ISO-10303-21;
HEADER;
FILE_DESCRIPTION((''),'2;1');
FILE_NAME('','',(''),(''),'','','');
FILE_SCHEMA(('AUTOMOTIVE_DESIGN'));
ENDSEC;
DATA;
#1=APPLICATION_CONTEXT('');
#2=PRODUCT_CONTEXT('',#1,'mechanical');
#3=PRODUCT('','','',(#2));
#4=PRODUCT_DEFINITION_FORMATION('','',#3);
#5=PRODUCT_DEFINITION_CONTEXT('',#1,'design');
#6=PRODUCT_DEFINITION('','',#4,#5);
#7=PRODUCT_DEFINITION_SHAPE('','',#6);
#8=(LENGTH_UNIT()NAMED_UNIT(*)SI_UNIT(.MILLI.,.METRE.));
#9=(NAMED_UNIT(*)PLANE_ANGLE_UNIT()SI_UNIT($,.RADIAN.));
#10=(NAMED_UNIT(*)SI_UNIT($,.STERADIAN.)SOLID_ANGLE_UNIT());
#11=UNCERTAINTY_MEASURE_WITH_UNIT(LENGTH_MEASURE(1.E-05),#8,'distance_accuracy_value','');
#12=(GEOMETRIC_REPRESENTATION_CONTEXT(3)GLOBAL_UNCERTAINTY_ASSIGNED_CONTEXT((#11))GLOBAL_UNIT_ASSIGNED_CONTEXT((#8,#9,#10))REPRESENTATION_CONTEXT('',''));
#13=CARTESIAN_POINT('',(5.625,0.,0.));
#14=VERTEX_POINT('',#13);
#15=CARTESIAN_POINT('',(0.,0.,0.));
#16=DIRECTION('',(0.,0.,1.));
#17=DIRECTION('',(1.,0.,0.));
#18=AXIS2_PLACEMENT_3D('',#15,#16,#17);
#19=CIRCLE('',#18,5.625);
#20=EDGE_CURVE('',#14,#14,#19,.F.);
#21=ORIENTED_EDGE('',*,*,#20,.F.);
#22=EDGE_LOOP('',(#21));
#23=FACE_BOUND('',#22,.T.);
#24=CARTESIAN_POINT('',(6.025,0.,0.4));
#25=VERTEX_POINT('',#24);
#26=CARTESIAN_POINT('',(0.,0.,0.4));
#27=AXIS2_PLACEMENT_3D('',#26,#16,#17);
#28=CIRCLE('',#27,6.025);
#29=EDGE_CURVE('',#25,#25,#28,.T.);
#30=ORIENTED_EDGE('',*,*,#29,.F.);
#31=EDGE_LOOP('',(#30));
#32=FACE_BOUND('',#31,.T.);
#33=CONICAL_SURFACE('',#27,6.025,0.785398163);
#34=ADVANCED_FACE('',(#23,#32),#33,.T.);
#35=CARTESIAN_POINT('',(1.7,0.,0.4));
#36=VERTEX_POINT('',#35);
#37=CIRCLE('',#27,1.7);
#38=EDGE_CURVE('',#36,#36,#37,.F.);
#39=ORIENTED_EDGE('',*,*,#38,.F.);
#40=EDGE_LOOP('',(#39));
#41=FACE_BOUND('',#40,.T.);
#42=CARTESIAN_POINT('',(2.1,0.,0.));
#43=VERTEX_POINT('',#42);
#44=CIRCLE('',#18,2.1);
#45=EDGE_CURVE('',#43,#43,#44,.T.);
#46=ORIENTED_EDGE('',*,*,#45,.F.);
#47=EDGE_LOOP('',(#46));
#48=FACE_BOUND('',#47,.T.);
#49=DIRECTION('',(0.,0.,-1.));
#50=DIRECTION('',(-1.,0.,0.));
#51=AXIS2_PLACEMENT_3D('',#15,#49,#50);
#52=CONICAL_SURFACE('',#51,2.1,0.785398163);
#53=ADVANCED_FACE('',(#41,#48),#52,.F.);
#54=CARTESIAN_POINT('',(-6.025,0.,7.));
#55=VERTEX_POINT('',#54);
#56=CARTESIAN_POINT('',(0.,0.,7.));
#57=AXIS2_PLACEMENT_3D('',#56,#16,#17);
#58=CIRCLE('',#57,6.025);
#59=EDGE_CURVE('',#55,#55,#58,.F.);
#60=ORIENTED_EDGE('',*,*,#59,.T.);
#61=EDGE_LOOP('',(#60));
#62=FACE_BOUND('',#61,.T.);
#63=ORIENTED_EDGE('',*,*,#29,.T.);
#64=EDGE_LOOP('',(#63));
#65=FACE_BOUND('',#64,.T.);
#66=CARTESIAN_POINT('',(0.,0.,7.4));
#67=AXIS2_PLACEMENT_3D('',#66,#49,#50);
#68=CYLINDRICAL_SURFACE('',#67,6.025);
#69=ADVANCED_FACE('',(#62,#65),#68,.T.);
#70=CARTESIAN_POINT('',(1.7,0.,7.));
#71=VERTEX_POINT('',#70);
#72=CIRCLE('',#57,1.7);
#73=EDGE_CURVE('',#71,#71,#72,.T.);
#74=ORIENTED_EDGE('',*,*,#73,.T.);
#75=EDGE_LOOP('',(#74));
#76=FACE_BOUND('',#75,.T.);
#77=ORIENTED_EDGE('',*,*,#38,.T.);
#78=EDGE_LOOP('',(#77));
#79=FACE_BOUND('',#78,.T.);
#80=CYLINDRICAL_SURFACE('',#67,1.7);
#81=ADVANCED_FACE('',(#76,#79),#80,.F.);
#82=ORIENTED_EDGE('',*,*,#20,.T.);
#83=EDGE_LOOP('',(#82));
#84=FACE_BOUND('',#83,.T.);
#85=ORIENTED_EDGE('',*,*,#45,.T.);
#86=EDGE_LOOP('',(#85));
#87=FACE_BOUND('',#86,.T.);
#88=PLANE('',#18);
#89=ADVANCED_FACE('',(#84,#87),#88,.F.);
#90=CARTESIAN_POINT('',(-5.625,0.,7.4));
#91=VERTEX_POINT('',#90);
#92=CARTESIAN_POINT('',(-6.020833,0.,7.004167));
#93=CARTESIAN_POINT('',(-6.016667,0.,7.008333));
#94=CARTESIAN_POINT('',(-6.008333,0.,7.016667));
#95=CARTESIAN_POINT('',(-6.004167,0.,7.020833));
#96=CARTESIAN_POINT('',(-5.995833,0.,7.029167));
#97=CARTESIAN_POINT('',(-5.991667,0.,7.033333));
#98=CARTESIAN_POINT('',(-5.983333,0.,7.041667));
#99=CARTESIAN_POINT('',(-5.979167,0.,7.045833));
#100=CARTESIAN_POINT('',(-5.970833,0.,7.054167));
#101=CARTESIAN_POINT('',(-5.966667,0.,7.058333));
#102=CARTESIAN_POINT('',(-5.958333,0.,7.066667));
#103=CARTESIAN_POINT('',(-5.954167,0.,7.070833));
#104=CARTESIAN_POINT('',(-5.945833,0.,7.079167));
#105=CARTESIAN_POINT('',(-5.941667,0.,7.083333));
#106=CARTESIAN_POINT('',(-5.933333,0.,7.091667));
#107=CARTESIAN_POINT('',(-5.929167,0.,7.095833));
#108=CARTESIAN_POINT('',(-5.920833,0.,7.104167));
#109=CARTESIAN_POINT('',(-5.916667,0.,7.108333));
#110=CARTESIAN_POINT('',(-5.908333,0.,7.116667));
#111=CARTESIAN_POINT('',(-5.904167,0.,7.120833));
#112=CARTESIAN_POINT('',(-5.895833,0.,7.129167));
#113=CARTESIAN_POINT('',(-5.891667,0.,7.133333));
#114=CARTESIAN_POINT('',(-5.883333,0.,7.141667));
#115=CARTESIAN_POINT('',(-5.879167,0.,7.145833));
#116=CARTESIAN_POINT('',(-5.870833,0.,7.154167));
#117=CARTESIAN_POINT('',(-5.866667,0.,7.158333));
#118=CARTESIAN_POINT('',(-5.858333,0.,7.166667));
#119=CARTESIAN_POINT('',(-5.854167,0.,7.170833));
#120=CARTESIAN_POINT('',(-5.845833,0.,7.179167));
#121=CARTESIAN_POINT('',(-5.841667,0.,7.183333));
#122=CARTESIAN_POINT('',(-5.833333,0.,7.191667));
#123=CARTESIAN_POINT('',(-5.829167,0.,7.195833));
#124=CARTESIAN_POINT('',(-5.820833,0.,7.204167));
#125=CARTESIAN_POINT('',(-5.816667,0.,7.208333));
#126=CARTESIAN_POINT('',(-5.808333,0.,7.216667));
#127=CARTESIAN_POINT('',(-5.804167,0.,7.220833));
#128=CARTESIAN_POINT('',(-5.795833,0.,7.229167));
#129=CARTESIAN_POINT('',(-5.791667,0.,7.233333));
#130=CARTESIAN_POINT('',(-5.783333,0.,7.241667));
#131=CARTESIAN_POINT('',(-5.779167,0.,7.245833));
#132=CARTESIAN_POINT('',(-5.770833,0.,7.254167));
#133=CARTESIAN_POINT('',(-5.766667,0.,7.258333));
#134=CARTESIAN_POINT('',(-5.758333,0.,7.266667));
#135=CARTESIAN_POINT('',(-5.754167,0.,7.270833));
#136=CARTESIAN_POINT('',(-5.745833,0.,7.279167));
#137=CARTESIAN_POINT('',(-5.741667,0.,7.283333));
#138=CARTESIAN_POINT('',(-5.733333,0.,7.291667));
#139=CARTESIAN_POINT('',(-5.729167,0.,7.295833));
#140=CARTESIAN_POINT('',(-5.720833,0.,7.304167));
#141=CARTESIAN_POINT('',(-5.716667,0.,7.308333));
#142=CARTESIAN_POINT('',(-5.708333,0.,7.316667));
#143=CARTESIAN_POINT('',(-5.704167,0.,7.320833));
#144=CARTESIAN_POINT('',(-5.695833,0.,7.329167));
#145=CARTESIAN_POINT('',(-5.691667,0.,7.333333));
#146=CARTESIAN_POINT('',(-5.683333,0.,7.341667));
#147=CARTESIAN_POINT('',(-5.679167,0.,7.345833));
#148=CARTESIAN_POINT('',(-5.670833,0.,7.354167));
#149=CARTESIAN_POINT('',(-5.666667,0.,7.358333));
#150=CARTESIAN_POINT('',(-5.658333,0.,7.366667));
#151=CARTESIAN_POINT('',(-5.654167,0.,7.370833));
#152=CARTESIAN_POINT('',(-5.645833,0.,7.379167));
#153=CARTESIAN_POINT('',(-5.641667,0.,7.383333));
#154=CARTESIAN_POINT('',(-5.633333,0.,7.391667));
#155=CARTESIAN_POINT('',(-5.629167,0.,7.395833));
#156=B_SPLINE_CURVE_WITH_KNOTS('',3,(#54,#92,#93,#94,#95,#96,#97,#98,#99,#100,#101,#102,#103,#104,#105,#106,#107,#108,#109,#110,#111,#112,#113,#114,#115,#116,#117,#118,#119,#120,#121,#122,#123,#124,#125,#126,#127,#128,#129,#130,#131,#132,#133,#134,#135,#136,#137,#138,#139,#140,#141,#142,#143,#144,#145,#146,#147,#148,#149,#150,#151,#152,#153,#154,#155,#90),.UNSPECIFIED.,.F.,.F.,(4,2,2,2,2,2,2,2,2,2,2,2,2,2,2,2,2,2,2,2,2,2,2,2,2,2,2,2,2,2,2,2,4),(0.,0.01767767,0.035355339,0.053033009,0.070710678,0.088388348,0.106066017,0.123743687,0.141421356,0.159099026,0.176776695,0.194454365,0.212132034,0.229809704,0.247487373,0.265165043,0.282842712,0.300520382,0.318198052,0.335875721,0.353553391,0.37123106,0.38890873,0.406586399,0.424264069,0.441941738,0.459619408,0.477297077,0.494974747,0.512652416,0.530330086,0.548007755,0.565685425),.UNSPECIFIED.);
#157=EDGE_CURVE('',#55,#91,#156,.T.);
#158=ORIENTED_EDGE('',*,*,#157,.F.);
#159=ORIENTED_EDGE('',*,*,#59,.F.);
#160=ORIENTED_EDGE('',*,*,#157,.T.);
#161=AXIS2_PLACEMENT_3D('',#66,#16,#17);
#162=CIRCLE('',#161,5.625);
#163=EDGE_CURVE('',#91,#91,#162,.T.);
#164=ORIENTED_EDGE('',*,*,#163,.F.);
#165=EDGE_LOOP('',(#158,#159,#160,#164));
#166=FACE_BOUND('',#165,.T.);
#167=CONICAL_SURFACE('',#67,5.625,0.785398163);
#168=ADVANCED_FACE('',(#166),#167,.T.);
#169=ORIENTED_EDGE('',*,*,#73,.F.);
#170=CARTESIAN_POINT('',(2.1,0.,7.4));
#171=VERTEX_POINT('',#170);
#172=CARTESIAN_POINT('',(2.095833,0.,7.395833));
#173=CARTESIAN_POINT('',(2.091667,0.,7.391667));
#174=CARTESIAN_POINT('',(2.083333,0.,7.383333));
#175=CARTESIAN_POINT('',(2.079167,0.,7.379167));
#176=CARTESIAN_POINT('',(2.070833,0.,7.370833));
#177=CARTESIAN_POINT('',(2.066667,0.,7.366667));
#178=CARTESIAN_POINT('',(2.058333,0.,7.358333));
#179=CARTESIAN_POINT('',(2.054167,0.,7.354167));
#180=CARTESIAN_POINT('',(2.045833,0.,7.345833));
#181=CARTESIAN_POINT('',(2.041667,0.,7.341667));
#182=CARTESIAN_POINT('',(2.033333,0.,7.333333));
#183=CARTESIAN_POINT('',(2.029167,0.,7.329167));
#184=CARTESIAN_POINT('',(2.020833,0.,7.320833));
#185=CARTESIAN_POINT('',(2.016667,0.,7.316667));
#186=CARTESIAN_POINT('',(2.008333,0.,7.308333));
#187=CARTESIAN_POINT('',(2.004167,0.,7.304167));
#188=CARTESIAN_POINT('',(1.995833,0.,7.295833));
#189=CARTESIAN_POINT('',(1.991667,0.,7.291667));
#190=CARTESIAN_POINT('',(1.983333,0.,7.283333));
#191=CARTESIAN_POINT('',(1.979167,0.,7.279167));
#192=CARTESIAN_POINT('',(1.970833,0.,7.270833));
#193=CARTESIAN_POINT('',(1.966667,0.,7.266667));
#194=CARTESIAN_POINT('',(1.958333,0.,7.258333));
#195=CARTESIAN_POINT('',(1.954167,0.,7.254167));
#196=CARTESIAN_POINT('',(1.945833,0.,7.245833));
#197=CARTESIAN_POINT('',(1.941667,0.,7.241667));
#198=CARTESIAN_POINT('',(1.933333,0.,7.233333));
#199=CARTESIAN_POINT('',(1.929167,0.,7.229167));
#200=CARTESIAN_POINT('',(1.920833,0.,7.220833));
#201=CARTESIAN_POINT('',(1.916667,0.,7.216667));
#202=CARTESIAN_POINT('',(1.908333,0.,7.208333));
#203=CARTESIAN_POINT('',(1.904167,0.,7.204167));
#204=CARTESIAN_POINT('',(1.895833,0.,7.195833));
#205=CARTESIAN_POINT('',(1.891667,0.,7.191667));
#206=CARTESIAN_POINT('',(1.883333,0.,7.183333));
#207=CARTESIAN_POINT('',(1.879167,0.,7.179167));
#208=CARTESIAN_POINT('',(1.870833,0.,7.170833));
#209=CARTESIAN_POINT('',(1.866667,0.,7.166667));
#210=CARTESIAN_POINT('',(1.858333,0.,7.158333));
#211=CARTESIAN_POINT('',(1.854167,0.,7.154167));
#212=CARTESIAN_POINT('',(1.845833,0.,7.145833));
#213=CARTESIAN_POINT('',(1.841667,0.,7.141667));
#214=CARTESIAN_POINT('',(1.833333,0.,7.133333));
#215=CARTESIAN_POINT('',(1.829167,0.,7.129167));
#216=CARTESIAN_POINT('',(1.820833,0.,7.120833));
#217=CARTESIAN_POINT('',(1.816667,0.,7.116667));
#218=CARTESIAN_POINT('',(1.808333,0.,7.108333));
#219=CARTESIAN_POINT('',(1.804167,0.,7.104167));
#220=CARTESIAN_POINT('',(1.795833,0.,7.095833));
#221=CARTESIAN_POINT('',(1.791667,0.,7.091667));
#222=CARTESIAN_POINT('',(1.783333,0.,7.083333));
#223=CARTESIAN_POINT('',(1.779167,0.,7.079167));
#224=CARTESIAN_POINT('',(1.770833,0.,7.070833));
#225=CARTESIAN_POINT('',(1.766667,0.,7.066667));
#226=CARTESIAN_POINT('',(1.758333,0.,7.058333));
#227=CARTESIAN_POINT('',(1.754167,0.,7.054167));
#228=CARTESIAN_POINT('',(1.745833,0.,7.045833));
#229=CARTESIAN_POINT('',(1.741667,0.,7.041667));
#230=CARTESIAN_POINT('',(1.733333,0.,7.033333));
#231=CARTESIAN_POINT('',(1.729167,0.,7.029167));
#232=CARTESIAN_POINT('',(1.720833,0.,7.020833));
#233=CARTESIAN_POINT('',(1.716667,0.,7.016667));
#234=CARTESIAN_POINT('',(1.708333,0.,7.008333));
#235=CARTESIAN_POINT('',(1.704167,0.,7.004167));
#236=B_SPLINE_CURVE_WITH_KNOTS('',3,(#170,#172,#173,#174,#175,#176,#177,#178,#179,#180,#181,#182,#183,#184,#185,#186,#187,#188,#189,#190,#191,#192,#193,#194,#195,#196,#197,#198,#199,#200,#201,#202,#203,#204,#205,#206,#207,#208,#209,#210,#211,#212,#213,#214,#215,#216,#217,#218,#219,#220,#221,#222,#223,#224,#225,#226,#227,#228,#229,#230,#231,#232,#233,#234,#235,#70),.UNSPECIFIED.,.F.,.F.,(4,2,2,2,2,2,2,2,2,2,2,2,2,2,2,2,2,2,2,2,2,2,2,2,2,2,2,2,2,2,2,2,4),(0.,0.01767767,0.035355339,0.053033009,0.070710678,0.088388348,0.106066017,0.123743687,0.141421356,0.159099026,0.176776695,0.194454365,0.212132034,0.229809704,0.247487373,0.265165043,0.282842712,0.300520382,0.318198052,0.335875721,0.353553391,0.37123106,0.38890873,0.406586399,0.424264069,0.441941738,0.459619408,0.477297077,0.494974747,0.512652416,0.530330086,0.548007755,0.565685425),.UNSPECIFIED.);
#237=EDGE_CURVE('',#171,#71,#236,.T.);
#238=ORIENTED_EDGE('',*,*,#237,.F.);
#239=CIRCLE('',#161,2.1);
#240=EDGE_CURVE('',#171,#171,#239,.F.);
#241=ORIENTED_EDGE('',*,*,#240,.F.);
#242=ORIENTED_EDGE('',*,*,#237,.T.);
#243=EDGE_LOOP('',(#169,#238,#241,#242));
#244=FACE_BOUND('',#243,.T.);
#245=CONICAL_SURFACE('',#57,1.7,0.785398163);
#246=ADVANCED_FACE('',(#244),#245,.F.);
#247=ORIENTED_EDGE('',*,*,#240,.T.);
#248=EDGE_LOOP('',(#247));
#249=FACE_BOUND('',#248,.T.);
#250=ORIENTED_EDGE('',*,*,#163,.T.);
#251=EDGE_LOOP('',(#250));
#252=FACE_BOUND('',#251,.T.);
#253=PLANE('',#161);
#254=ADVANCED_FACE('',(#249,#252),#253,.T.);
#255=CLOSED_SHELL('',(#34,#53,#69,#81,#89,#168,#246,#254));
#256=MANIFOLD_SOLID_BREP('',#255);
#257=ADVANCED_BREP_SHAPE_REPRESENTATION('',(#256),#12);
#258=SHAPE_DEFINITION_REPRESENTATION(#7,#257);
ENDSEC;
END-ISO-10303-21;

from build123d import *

# Parameters (mm, degrees)
SKETCH1_R           = 6.025
SKETCH1_R_2         = 1.7
BOSS_EXTRUDE1_DEPTH = 7.4
CHAMFER1_SIZE       = 0.4


with BuildPart() as part:
    # Sketch1 → Boss-Extrude1 (new body)
    with BuildSketch(Plane.XY):
        Circle(SKETCH1_R)
        Circle(SKETCH1_R_2, mode=Mode.SUBTRACT)
    extrude(amount=BOSS_EXTRUDE1_DEPTH)

    # Chamfer1
    chamfer1_edges = [part.edges().sort_by_distance(p)[0] for p in [
        (-6.025, 0, 0),
        (-6.025, 0, 7.4),
        (-1.7, 0, 0),
        (-1.7, 0, 7.4),
    ]]
    chamfer(chamfer1_edges, length=CHAMFER1_SIZE)


solid = part.part
